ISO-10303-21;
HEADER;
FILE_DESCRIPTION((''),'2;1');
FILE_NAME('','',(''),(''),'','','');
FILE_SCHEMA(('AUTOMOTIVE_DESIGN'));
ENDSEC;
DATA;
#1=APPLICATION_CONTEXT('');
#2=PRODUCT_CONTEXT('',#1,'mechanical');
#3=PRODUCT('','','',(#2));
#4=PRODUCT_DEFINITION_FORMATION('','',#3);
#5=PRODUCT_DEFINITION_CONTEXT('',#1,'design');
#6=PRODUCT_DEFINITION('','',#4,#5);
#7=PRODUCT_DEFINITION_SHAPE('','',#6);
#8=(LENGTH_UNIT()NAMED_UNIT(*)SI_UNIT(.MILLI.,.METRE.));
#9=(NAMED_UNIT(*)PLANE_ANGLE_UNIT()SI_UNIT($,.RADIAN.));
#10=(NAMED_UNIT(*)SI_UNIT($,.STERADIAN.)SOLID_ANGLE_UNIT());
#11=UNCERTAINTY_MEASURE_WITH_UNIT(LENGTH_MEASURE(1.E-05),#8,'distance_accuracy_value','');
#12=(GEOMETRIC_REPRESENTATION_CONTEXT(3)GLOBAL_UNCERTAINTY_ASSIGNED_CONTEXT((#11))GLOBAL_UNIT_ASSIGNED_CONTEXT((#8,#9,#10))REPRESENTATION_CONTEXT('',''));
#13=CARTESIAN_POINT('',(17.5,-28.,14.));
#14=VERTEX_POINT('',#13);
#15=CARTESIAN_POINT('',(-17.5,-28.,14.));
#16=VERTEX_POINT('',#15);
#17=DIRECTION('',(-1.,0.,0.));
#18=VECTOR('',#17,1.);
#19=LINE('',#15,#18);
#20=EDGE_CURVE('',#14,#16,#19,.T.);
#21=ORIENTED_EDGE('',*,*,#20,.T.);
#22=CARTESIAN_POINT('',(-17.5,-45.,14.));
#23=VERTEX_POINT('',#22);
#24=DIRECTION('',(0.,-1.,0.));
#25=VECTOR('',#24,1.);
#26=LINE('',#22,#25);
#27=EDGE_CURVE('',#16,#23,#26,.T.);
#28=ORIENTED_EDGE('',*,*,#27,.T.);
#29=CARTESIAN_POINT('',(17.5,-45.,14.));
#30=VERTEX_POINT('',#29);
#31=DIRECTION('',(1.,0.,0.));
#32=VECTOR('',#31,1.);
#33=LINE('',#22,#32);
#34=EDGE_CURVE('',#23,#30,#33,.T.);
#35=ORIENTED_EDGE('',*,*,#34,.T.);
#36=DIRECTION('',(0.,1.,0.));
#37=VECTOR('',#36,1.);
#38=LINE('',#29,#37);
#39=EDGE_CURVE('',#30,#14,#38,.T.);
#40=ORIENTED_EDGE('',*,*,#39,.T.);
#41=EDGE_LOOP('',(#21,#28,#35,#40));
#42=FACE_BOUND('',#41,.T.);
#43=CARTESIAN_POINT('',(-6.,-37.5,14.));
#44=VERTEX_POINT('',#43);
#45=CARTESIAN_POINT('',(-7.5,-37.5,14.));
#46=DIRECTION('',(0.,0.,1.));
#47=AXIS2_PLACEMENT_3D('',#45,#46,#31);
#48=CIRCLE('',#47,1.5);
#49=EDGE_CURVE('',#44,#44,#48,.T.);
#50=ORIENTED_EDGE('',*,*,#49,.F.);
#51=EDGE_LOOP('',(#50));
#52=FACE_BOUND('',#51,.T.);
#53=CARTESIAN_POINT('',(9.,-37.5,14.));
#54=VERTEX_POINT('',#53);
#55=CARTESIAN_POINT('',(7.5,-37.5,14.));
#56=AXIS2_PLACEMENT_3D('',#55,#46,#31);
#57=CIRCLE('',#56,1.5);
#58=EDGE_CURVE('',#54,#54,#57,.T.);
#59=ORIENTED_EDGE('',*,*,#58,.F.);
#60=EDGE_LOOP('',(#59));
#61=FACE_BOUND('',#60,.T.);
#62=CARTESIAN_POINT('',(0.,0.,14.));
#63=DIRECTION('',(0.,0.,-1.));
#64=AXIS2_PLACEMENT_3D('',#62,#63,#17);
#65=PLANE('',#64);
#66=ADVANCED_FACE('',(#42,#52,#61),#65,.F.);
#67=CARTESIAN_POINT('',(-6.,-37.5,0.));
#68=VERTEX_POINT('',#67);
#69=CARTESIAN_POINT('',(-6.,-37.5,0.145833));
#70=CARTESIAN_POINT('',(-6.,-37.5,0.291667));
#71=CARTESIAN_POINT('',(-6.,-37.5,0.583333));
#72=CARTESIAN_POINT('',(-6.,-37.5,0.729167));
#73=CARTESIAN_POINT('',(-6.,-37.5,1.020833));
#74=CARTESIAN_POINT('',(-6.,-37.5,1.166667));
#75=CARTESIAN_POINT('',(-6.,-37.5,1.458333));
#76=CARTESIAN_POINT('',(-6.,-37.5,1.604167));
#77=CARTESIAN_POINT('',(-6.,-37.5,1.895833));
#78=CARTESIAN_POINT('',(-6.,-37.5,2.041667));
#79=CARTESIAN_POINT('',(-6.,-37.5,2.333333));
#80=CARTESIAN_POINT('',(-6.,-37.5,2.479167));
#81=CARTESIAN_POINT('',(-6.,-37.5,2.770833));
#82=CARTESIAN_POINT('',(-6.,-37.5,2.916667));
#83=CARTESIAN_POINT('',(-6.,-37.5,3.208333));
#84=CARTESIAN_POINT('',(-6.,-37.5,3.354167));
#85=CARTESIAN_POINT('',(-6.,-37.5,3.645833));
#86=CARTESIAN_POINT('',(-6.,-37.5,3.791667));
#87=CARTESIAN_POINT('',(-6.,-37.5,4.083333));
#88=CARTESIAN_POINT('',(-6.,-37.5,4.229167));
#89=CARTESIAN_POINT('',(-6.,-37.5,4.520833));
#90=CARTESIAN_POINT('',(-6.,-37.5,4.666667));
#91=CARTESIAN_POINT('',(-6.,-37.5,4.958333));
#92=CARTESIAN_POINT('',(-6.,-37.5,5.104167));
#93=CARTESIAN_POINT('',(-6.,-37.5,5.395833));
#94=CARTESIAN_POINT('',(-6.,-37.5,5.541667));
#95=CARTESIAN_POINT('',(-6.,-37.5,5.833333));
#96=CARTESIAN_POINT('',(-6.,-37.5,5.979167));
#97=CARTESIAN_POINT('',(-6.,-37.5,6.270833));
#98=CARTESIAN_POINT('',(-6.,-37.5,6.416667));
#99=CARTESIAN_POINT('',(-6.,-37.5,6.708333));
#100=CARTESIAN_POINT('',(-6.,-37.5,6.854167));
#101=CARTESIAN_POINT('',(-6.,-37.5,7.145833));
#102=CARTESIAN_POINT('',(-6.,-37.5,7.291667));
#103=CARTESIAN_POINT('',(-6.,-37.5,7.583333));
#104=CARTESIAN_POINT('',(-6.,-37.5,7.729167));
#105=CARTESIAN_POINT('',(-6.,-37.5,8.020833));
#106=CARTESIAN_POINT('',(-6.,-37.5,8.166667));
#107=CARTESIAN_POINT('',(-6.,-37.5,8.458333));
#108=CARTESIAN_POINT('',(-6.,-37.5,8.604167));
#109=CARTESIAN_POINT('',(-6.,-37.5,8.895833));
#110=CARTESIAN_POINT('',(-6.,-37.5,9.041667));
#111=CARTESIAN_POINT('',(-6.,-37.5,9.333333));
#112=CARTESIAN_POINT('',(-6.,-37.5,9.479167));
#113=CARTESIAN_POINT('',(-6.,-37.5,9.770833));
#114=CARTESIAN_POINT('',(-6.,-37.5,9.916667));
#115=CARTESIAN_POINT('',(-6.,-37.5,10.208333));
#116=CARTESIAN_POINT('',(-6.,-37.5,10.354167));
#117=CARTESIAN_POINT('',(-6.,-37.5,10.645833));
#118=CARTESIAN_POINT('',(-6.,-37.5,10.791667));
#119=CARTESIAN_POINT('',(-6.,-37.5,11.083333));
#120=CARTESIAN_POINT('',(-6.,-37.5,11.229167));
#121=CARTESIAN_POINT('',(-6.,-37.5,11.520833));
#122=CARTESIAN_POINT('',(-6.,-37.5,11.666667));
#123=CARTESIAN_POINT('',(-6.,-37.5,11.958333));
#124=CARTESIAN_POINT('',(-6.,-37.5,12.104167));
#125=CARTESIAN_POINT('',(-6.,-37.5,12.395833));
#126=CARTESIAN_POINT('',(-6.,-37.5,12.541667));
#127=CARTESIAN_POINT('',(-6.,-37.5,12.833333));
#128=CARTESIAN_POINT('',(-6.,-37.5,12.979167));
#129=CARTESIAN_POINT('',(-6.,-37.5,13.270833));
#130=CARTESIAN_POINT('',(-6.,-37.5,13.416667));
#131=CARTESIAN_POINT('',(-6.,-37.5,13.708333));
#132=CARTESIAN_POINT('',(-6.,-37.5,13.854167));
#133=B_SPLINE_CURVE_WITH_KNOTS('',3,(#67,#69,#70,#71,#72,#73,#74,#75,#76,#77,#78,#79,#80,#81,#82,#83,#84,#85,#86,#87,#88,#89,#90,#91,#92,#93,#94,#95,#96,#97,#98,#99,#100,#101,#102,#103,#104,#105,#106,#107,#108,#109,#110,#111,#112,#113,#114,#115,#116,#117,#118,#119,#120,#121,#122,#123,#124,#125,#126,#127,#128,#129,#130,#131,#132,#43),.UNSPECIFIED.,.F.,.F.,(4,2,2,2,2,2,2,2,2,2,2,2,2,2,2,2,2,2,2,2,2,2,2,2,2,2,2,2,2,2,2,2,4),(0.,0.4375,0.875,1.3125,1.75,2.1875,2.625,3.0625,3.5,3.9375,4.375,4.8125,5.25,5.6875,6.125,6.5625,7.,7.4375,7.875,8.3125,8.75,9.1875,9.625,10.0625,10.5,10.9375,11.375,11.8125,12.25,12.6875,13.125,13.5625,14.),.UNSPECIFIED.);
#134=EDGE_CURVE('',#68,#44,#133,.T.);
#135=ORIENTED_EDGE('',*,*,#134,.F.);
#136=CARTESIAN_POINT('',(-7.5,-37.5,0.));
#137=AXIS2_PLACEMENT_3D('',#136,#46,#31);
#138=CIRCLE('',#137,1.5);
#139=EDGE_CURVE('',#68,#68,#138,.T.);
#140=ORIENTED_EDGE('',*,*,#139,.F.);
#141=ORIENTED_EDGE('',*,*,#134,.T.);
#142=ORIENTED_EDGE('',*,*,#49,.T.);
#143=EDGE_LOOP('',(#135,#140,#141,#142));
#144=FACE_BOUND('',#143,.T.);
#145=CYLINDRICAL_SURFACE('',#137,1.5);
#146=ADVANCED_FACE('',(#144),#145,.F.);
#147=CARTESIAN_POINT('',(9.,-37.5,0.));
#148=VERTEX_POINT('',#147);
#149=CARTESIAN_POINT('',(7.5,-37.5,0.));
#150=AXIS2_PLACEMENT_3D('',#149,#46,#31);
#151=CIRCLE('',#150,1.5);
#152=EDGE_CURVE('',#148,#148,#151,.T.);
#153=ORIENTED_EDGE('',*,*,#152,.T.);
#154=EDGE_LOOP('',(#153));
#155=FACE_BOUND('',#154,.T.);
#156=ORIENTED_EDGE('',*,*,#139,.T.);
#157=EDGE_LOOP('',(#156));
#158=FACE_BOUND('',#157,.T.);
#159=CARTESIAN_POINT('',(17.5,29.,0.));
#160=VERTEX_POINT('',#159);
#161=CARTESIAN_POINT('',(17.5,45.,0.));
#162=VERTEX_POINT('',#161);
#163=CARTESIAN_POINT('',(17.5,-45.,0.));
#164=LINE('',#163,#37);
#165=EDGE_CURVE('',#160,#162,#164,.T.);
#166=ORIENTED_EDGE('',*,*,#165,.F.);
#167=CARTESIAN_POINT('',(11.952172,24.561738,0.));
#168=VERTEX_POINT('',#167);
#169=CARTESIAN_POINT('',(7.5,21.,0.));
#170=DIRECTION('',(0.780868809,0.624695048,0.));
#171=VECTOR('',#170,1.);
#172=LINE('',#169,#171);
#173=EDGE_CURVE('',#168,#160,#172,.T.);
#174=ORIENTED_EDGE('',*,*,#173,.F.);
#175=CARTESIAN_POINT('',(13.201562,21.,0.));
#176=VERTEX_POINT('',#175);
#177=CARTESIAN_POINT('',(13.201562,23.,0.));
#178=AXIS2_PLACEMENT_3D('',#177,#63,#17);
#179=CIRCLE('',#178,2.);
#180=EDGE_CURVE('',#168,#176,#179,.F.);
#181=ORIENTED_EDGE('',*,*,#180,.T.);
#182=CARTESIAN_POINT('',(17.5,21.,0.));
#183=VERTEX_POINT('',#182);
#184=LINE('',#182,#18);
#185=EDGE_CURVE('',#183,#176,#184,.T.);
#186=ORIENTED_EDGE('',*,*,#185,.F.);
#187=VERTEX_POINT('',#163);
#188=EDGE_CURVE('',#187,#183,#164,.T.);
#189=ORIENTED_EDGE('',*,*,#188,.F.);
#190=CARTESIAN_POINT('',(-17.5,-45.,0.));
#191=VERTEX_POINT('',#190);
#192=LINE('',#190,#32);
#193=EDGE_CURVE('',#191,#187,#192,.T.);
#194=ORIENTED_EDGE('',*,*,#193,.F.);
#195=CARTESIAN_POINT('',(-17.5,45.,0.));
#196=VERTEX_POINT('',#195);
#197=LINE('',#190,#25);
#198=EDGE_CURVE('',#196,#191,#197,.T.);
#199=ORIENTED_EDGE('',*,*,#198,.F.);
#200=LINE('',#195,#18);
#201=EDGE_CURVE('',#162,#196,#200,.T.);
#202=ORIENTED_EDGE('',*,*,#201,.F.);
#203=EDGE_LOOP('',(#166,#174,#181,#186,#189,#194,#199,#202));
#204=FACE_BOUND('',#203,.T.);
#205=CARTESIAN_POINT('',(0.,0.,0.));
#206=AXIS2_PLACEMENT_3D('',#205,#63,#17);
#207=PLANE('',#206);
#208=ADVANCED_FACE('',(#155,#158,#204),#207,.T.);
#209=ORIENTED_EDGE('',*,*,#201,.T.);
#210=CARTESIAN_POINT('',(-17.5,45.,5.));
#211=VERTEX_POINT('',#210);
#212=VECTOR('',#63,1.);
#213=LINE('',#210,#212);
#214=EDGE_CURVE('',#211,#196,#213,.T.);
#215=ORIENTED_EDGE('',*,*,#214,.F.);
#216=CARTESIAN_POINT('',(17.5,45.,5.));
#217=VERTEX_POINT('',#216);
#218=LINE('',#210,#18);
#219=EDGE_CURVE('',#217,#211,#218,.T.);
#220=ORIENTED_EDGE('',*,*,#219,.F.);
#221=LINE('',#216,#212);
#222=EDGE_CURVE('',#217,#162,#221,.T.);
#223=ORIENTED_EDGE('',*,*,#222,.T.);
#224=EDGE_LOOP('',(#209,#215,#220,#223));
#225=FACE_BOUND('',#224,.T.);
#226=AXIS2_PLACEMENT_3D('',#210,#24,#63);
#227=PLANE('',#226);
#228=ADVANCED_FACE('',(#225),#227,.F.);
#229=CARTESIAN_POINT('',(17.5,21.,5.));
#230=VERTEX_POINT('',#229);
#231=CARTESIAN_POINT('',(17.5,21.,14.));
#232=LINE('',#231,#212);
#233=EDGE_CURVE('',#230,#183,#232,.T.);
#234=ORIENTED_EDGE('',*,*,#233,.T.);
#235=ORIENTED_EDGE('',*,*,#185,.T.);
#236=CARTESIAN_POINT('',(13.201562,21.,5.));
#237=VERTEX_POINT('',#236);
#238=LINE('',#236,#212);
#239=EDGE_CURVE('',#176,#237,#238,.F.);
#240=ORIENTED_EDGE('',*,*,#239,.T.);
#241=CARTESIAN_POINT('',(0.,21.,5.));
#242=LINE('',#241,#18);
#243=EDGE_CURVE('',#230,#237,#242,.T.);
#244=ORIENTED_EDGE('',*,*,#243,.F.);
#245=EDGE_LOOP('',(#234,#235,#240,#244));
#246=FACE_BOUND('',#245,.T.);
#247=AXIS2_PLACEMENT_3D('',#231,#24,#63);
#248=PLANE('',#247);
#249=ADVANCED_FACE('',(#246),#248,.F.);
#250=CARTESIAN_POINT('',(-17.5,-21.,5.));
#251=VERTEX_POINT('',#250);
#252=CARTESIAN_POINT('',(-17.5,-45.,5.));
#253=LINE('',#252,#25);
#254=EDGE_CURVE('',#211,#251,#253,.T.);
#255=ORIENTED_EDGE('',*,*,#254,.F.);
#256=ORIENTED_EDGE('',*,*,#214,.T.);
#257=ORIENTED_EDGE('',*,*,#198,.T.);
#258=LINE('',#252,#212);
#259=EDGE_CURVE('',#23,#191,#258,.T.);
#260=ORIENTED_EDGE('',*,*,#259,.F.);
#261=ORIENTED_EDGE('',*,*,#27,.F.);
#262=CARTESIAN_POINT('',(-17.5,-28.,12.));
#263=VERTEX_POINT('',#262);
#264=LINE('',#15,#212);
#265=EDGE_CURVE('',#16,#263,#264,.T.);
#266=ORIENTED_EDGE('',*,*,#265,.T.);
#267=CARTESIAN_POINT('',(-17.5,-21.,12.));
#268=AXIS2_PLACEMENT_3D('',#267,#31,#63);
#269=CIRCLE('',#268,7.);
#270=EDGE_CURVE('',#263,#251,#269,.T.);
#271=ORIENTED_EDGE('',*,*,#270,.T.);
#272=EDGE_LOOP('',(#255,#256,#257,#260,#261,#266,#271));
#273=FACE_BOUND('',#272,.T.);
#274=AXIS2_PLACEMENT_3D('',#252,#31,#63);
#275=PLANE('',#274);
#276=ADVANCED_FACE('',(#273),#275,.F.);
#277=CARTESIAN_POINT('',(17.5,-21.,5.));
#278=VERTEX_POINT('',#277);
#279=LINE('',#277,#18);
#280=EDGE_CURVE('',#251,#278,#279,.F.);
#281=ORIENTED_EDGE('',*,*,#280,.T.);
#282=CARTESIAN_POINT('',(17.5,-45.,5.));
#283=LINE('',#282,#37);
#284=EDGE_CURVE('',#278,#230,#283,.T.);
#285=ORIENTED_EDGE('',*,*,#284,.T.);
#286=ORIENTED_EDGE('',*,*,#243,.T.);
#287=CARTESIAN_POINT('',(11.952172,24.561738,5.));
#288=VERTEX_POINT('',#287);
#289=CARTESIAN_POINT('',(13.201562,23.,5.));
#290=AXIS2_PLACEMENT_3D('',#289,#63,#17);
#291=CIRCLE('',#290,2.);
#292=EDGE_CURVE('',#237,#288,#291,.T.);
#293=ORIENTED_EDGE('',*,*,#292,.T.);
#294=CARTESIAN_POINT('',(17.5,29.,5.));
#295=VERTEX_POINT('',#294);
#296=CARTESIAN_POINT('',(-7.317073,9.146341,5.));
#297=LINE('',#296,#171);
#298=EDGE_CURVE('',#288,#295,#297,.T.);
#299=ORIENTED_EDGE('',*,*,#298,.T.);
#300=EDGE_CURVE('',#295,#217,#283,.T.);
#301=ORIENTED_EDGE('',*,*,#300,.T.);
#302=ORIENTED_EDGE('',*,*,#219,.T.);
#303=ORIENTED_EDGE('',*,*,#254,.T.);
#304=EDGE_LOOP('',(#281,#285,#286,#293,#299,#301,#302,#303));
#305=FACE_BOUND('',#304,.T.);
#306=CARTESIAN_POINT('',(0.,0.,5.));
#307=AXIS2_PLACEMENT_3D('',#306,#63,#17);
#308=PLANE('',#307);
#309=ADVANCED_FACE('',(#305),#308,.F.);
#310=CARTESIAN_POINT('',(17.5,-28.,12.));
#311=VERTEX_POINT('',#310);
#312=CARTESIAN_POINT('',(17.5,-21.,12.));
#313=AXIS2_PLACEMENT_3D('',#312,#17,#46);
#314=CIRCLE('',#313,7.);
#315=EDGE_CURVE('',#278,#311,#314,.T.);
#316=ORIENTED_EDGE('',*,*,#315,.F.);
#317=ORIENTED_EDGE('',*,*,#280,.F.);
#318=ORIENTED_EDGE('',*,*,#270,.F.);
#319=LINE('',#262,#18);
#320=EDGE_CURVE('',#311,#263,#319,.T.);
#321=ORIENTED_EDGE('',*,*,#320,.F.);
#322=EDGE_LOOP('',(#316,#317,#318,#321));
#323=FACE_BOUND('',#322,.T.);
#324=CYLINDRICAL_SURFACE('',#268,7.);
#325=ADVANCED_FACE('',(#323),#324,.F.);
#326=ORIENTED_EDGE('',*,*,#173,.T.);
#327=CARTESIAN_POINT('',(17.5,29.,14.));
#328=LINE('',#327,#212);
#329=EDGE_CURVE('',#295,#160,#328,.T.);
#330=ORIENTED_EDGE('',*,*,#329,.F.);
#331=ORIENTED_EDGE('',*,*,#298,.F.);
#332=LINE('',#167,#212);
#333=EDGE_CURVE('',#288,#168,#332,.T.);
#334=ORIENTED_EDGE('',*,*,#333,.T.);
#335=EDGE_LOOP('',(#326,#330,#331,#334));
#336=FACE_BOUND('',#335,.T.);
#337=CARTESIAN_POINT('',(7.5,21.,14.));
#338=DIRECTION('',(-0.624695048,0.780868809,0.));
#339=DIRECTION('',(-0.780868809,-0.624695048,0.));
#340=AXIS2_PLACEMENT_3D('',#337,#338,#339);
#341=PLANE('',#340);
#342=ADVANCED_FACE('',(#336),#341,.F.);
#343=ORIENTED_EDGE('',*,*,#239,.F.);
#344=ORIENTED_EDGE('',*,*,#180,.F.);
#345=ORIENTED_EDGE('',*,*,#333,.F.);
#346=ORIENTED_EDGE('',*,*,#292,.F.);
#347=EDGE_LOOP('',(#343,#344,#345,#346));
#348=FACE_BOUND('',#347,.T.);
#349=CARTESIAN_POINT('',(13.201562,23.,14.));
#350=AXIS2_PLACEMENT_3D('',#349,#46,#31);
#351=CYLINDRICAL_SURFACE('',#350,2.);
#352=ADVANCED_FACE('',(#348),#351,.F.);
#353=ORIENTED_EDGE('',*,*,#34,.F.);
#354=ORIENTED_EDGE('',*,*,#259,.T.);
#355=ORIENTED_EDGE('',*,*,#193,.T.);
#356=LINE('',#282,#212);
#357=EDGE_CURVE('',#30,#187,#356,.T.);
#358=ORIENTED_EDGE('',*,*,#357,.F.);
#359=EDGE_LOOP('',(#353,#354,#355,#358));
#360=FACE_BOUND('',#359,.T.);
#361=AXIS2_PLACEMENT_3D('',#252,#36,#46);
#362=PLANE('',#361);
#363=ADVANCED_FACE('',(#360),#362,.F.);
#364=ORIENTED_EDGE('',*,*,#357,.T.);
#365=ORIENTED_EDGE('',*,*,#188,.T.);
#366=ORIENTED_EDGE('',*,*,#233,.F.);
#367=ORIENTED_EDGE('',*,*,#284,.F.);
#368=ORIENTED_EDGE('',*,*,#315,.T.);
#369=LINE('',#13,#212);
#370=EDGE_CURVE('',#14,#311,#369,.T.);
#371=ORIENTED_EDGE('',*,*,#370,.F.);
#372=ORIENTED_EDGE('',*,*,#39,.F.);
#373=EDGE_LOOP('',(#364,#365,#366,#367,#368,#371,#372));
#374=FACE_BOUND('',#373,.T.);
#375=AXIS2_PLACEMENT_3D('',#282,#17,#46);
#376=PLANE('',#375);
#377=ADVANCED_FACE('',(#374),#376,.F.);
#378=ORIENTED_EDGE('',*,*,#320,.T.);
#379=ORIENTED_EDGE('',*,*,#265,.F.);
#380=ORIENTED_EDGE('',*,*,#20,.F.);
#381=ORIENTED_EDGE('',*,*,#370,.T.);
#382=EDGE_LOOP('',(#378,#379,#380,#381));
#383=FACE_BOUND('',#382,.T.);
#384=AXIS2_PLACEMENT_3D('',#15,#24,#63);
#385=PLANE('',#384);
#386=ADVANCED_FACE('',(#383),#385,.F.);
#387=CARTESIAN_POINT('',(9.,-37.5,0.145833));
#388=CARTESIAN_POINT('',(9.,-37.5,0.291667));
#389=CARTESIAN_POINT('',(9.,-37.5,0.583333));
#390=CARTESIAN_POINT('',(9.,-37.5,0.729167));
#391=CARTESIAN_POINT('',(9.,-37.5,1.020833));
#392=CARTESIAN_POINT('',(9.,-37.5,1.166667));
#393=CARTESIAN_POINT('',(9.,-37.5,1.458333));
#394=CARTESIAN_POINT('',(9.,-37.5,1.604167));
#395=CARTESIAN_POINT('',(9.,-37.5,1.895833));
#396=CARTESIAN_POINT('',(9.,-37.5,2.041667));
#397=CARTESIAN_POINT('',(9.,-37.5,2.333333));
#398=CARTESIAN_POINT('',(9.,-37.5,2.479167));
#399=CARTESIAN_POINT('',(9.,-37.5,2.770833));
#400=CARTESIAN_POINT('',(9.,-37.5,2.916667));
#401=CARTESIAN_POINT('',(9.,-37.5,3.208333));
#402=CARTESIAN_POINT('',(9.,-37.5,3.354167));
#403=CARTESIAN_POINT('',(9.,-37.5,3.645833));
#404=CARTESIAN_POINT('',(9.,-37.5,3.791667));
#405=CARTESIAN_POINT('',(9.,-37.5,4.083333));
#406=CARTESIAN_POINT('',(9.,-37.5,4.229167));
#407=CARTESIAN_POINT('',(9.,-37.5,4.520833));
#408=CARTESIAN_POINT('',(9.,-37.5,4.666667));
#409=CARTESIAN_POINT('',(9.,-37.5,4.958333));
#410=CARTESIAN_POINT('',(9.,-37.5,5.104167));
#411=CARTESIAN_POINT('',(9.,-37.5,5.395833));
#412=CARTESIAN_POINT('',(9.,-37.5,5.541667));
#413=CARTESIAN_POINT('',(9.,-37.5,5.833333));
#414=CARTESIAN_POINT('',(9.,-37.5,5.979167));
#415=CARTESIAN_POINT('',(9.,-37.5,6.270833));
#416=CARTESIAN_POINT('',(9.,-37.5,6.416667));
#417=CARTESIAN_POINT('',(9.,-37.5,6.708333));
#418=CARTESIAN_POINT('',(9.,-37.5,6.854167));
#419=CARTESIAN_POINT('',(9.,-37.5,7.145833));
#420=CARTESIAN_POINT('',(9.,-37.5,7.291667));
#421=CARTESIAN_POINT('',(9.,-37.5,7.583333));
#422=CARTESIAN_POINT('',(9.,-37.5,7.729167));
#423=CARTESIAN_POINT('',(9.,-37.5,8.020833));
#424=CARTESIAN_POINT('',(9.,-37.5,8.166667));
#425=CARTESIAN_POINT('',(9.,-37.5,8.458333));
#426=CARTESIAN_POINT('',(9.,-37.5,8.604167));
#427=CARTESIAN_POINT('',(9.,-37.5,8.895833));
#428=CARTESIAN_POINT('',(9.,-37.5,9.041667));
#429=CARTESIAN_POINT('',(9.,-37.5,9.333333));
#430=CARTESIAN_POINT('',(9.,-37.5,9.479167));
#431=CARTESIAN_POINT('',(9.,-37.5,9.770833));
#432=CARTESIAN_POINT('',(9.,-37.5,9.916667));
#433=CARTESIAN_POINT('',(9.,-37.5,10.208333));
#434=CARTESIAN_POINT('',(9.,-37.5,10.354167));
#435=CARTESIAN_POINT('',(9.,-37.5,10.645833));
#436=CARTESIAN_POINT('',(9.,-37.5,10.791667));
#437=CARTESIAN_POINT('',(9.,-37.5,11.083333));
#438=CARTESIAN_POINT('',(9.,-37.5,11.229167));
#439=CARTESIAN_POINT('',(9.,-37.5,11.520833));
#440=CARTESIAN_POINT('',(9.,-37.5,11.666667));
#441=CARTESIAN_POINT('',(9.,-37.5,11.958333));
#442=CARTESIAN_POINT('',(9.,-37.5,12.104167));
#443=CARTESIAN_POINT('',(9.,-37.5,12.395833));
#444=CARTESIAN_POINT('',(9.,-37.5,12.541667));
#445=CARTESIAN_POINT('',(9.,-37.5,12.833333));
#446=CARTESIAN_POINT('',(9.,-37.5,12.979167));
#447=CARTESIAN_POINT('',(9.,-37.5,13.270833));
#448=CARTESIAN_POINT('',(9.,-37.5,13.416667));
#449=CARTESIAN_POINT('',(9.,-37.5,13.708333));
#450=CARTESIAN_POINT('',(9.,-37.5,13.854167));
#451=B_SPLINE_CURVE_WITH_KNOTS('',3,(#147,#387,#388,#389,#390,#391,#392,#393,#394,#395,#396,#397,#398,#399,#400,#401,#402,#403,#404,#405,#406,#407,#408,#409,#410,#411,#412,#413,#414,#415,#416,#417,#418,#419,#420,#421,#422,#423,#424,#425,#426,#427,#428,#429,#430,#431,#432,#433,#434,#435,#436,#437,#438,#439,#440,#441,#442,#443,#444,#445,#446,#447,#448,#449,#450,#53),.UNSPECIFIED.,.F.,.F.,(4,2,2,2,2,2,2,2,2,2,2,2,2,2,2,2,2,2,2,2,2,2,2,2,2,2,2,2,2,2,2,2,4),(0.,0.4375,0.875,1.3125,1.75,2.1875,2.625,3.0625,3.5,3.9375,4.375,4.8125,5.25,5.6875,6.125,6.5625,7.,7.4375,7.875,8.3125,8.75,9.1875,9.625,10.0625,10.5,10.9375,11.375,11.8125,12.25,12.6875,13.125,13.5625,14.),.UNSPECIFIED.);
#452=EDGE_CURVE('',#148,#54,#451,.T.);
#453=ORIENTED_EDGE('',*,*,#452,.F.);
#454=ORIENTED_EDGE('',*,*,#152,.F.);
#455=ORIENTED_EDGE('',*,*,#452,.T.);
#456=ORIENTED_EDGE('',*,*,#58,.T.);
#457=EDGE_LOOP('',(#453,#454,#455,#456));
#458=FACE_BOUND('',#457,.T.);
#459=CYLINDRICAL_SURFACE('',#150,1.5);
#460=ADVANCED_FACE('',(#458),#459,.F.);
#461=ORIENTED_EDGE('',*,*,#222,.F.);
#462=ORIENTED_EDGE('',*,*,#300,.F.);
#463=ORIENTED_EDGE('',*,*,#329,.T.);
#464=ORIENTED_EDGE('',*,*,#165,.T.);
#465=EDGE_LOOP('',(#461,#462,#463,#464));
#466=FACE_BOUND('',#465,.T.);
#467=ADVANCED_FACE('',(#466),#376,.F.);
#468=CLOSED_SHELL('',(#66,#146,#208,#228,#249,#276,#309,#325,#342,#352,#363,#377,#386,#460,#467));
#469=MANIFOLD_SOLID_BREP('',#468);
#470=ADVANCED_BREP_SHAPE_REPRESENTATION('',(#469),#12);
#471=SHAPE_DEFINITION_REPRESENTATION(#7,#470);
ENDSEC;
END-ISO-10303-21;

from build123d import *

# Parameters (mm, degrees)
SKETCH_1_W          = 35
SKETCH_1_H          = 90
EXTRUDE_1_DEPTH     = 5
SKETCH_2_W          = 35
SKETCH_2_H          = 17
EXTRUDE_2_DEPTH     = 9
FILLET_1_R          = 7
SKETCH_3_R          = 1.5
CUT_EXTRUDE_3_DEPTH = 51.271761457
CUT_EXTRUDE_4_DEPTH = 51.271761457
FILLET_2_R          = 2


with BuildPart() as part:
    # 草图1 → 凸台-拉伸1 (new body)
    with BuildSketch(Plane.XY):
        Rectangle(SKETCH_1_W, SKETCH_1_H)
    extrude(amount=EXTRUDE_1_DEPTH)

    # 草图2 → 凸台-拉伸2 (add)
    with BuildSketch(Plane.XY.offset(5)):
        with Locations((0, -36.5)):
            Rectangle(SKETCH_2_W, SKETCH_2_H)
    extrude(amount=EXTRUDE_2_DEPTH)

    # 圆角1
    fillet_1_edges = [part.edges().sort_by_distance(p)[0] for p in [
        (0, -28, 5),
    ]]
    fillet(fillet_1_edges, radius=FILLET_1_R)

    # 草图3 → 切除-拉伸3 (cut, through all)
    with BuildSketch(Plane.XY.offset(14)):
        with Locations((-7.5, -37.5)):
            Circle(SKETCH_3_R)
        with Locations((7.5, -37.5)):
            Circle(SKETCH_3_R)
    extrude(amount=-CUT_EXTRUDE_3_DEPTH, mode=Mode.SUBTRACT)

    # 草图4 → 切除-拉伸4 (cut, through all)
    with BuildSketch(Plane(origin=(0, 0, 0), x_dir=(-1, 0, 0), z_dir=(0, 0, -1))):
        Polygon((-17.5, 29), (-17.5, 21), (-7.5, 21), align=None)
    extrude(amount=-CUT_EXTRUDE_4_DEPTH, mode=Mode.SUBTRACT)

    # 圆角2
    fillet_2_edges = [part.edges().sort_by_distance(p)[0] for p in [
        (7.5, 21, 2.5),
    ]]
    fillet(fillet_2_edges, radius=FILLET_2_R)


solid = part.part
